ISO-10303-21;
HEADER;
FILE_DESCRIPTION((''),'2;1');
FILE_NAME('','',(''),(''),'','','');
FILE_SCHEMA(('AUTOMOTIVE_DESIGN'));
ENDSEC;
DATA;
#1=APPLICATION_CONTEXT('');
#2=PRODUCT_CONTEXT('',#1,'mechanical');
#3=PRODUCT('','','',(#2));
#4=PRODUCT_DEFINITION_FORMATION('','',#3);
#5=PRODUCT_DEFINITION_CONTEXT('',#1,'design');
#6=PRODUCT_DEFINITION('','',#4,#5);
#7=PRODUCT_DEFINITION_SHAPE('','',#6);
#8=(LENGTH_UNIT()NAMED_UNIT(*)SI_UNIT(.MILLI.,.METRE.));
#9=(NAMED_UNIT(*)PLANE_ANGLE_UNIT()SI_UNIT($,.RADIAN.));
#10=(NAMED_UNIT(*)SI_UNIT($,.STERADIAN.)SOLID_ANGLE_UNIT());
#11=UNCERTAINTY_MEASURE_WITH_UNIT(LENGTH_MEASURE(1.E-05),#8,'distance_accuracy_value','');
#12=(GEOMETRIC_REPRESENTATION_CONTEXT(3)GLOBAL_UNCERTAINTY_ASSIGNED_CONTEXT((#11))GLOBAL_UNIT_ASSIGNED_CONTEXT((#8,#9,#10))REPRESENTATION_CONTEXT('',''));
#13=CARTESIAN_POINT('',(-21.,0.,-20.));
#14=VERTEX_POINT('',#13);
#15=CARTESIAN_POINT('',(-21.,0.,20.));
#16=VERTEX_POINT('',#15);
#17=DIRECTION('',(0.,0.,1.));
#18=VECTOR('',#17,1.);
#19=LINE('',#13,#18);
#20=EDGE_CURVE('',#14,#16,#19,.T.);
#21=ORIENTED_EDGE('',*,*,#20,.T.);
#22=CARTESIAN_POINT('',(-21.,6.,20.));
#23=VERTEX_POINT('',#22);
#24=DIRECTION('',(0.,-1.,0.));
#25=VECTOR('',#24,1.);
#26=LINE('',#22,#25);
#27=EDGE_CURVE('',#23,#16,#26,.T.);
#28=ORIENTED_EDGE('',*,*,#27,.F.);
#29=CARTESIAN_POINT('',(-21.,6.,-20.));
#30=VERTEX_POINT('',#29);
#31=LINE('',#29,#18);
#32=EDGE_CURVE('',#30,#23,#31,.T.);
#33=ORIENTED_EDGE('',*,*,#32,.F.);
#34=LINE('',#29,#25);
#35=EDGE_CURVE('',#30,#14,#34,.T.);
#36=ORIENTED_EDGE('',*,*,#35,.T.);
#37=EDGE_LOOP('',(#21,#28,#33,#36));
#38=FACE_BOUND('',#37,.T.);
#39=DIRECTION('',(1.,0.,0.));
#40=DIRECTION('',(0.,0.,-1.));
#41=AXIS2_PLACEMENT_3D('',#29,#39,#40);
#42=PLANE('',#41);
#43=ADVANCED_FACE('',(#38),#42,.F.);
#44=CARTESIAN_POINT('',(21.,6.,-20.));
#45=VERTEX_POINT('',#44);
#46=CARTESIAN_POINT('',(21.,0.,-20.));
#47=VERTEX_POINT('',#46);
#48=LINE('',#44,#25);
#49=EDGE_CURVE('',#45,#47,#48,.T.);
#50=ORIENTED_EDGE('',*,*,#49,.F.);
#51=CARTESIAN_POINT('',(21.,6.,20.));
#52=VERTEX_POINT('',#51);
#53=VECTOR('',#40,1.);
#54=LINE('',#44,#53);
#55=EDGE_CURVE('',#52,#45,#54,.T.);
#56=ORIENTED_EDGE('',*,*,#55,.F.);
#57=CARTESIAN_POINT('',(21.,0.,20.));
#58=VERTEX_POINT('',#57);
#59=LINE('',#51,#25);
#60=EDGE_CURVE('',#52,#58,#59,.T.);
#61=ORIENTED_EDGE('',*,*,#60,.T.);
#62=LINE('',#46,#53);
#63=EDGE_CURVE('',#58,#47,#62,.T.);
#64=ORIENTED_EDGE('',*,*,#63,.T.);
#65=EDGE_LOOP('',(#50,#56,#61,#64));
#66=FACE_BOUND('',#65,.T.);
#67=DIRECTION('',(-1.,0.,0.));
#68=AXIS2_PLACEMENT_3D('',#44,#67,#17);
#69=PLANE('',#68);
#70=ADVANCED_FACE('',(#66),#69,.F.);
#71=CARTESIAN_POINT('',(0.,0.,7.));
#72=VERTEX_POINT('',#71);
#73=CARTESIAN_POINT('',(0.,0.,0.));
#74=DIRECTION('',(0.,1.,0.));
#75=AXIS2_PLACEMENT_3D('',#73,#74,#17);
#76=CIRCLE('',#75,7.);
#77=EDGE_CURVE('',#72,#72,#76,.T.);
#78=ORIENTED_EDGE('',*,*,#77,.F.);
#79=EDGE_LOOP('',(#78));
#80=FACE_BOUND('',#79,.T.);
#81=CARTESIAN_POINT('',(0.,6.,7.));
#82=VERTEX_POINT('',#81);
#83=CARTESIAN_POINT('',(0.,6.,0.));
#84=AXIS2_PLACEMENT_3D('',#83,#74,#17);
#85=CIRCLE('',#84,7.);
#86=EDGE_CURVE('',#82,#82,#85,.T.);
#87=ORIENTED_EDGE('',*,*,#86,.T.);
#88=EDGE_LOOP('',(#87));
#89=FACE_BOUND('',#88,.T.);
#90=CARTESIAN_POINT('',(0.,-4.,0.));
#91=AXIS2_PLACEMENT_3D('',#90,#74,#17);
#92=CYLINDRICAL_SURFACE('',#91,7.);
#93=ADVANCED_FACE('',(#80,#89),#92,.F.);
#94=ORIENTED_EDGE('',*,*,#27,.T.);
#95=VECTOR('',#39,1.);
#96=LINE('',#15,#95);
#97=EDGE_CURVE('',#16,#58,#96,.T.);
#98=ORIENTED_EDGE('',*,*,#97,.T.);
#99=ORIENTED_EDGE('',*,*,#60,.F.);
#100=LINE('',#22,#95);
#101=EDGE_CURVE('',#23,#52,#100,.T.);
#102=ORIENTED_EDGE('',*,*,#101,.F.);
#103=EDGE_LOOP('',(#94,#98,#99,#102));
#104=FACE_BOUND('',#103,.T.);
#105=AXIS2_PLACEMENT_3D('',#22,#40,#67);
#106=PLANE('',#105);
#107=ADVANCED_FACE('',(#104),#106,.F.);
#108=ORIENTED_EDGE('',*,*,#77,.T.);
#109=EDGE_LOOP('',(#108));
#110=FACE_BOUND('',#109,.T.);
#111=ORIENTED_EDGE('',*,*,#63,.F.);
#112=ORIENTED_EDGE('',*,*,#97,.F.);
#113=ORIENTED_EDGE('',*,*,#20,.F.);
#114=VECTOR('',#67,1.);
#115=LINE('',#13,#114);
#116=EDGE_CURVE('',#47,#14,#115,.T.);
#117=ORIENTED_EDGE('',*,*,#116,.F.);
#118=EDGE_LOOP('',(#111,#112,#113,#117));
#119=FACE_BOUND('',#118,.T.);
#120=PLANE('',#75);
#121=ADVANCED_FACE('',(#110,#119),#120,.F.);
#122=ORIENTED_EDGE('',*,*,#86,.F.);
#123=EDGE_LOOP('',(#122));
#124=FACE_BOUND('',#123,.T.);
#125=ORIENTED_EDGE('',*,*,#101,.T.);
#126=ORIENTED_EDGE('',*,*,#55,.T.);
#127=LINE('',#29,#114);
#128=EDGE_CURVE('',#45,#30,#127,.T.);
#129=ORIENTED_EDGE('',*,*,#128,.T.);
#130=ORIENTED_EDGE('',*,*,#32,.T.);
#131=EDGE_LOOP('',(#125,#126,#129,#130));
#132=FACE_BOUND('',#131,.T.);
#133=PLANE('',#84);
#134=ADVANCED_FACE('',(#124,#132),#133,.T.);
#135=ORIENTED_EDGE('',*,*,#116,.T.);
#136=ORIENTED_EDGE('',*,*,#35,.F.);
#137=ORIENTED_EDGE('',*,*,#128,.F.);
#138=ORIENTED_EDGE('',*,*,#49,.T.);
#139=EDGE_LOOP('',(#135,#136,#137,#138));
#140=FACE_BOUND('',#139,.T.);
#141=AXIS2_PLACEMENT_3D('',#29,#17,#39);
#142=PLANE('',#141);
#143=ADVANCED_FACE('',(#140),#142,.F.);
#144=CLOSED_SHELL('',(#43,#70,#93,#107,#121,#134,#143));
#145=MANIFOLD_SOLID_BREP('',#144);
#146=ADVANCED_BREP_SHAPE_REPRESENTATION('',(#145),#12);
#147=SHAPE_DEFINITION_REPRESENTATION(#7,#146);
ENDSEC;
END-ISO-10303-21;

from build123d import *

# Parameters (mm, degrees)
SKETCH1_W           = 42
SKETCH1_H           = 40
BOSS_EXTRUDE1_DEPTH = 6
SKETCH2_R           = 7
CUT_EXTRUDE1_DEPTH  = 10


with BuildPart() as part:
    # Sketch1 → Boss-Extrude1 (new body)
    with BuildSketch(Plane(origin=(0, 0, 0), x_dir=(1, 0, 0), z_dir=(0, 1, 0))):
        Rectangle(SKETCH1_W, SKETCH1_H)
    extrude(amount=BOSS_EXTRUDE1_DEPTH)

    # Sketch2 → Cut-Extrude1 (cut)
    with BuildSketch(Plane(origin=(0, 6, 0), x_dir=(1, 0, 0), z_dir=(0, 1, 0))):
        with Locations(Location((0, 0, 0), (0, 0, 270))):
            Circle(SKETCH2_R)
    extrude(amount=-CUT_EXTRUDE1_DEPTH, mode=Mode.SUBTRACT)


solid = part.part
